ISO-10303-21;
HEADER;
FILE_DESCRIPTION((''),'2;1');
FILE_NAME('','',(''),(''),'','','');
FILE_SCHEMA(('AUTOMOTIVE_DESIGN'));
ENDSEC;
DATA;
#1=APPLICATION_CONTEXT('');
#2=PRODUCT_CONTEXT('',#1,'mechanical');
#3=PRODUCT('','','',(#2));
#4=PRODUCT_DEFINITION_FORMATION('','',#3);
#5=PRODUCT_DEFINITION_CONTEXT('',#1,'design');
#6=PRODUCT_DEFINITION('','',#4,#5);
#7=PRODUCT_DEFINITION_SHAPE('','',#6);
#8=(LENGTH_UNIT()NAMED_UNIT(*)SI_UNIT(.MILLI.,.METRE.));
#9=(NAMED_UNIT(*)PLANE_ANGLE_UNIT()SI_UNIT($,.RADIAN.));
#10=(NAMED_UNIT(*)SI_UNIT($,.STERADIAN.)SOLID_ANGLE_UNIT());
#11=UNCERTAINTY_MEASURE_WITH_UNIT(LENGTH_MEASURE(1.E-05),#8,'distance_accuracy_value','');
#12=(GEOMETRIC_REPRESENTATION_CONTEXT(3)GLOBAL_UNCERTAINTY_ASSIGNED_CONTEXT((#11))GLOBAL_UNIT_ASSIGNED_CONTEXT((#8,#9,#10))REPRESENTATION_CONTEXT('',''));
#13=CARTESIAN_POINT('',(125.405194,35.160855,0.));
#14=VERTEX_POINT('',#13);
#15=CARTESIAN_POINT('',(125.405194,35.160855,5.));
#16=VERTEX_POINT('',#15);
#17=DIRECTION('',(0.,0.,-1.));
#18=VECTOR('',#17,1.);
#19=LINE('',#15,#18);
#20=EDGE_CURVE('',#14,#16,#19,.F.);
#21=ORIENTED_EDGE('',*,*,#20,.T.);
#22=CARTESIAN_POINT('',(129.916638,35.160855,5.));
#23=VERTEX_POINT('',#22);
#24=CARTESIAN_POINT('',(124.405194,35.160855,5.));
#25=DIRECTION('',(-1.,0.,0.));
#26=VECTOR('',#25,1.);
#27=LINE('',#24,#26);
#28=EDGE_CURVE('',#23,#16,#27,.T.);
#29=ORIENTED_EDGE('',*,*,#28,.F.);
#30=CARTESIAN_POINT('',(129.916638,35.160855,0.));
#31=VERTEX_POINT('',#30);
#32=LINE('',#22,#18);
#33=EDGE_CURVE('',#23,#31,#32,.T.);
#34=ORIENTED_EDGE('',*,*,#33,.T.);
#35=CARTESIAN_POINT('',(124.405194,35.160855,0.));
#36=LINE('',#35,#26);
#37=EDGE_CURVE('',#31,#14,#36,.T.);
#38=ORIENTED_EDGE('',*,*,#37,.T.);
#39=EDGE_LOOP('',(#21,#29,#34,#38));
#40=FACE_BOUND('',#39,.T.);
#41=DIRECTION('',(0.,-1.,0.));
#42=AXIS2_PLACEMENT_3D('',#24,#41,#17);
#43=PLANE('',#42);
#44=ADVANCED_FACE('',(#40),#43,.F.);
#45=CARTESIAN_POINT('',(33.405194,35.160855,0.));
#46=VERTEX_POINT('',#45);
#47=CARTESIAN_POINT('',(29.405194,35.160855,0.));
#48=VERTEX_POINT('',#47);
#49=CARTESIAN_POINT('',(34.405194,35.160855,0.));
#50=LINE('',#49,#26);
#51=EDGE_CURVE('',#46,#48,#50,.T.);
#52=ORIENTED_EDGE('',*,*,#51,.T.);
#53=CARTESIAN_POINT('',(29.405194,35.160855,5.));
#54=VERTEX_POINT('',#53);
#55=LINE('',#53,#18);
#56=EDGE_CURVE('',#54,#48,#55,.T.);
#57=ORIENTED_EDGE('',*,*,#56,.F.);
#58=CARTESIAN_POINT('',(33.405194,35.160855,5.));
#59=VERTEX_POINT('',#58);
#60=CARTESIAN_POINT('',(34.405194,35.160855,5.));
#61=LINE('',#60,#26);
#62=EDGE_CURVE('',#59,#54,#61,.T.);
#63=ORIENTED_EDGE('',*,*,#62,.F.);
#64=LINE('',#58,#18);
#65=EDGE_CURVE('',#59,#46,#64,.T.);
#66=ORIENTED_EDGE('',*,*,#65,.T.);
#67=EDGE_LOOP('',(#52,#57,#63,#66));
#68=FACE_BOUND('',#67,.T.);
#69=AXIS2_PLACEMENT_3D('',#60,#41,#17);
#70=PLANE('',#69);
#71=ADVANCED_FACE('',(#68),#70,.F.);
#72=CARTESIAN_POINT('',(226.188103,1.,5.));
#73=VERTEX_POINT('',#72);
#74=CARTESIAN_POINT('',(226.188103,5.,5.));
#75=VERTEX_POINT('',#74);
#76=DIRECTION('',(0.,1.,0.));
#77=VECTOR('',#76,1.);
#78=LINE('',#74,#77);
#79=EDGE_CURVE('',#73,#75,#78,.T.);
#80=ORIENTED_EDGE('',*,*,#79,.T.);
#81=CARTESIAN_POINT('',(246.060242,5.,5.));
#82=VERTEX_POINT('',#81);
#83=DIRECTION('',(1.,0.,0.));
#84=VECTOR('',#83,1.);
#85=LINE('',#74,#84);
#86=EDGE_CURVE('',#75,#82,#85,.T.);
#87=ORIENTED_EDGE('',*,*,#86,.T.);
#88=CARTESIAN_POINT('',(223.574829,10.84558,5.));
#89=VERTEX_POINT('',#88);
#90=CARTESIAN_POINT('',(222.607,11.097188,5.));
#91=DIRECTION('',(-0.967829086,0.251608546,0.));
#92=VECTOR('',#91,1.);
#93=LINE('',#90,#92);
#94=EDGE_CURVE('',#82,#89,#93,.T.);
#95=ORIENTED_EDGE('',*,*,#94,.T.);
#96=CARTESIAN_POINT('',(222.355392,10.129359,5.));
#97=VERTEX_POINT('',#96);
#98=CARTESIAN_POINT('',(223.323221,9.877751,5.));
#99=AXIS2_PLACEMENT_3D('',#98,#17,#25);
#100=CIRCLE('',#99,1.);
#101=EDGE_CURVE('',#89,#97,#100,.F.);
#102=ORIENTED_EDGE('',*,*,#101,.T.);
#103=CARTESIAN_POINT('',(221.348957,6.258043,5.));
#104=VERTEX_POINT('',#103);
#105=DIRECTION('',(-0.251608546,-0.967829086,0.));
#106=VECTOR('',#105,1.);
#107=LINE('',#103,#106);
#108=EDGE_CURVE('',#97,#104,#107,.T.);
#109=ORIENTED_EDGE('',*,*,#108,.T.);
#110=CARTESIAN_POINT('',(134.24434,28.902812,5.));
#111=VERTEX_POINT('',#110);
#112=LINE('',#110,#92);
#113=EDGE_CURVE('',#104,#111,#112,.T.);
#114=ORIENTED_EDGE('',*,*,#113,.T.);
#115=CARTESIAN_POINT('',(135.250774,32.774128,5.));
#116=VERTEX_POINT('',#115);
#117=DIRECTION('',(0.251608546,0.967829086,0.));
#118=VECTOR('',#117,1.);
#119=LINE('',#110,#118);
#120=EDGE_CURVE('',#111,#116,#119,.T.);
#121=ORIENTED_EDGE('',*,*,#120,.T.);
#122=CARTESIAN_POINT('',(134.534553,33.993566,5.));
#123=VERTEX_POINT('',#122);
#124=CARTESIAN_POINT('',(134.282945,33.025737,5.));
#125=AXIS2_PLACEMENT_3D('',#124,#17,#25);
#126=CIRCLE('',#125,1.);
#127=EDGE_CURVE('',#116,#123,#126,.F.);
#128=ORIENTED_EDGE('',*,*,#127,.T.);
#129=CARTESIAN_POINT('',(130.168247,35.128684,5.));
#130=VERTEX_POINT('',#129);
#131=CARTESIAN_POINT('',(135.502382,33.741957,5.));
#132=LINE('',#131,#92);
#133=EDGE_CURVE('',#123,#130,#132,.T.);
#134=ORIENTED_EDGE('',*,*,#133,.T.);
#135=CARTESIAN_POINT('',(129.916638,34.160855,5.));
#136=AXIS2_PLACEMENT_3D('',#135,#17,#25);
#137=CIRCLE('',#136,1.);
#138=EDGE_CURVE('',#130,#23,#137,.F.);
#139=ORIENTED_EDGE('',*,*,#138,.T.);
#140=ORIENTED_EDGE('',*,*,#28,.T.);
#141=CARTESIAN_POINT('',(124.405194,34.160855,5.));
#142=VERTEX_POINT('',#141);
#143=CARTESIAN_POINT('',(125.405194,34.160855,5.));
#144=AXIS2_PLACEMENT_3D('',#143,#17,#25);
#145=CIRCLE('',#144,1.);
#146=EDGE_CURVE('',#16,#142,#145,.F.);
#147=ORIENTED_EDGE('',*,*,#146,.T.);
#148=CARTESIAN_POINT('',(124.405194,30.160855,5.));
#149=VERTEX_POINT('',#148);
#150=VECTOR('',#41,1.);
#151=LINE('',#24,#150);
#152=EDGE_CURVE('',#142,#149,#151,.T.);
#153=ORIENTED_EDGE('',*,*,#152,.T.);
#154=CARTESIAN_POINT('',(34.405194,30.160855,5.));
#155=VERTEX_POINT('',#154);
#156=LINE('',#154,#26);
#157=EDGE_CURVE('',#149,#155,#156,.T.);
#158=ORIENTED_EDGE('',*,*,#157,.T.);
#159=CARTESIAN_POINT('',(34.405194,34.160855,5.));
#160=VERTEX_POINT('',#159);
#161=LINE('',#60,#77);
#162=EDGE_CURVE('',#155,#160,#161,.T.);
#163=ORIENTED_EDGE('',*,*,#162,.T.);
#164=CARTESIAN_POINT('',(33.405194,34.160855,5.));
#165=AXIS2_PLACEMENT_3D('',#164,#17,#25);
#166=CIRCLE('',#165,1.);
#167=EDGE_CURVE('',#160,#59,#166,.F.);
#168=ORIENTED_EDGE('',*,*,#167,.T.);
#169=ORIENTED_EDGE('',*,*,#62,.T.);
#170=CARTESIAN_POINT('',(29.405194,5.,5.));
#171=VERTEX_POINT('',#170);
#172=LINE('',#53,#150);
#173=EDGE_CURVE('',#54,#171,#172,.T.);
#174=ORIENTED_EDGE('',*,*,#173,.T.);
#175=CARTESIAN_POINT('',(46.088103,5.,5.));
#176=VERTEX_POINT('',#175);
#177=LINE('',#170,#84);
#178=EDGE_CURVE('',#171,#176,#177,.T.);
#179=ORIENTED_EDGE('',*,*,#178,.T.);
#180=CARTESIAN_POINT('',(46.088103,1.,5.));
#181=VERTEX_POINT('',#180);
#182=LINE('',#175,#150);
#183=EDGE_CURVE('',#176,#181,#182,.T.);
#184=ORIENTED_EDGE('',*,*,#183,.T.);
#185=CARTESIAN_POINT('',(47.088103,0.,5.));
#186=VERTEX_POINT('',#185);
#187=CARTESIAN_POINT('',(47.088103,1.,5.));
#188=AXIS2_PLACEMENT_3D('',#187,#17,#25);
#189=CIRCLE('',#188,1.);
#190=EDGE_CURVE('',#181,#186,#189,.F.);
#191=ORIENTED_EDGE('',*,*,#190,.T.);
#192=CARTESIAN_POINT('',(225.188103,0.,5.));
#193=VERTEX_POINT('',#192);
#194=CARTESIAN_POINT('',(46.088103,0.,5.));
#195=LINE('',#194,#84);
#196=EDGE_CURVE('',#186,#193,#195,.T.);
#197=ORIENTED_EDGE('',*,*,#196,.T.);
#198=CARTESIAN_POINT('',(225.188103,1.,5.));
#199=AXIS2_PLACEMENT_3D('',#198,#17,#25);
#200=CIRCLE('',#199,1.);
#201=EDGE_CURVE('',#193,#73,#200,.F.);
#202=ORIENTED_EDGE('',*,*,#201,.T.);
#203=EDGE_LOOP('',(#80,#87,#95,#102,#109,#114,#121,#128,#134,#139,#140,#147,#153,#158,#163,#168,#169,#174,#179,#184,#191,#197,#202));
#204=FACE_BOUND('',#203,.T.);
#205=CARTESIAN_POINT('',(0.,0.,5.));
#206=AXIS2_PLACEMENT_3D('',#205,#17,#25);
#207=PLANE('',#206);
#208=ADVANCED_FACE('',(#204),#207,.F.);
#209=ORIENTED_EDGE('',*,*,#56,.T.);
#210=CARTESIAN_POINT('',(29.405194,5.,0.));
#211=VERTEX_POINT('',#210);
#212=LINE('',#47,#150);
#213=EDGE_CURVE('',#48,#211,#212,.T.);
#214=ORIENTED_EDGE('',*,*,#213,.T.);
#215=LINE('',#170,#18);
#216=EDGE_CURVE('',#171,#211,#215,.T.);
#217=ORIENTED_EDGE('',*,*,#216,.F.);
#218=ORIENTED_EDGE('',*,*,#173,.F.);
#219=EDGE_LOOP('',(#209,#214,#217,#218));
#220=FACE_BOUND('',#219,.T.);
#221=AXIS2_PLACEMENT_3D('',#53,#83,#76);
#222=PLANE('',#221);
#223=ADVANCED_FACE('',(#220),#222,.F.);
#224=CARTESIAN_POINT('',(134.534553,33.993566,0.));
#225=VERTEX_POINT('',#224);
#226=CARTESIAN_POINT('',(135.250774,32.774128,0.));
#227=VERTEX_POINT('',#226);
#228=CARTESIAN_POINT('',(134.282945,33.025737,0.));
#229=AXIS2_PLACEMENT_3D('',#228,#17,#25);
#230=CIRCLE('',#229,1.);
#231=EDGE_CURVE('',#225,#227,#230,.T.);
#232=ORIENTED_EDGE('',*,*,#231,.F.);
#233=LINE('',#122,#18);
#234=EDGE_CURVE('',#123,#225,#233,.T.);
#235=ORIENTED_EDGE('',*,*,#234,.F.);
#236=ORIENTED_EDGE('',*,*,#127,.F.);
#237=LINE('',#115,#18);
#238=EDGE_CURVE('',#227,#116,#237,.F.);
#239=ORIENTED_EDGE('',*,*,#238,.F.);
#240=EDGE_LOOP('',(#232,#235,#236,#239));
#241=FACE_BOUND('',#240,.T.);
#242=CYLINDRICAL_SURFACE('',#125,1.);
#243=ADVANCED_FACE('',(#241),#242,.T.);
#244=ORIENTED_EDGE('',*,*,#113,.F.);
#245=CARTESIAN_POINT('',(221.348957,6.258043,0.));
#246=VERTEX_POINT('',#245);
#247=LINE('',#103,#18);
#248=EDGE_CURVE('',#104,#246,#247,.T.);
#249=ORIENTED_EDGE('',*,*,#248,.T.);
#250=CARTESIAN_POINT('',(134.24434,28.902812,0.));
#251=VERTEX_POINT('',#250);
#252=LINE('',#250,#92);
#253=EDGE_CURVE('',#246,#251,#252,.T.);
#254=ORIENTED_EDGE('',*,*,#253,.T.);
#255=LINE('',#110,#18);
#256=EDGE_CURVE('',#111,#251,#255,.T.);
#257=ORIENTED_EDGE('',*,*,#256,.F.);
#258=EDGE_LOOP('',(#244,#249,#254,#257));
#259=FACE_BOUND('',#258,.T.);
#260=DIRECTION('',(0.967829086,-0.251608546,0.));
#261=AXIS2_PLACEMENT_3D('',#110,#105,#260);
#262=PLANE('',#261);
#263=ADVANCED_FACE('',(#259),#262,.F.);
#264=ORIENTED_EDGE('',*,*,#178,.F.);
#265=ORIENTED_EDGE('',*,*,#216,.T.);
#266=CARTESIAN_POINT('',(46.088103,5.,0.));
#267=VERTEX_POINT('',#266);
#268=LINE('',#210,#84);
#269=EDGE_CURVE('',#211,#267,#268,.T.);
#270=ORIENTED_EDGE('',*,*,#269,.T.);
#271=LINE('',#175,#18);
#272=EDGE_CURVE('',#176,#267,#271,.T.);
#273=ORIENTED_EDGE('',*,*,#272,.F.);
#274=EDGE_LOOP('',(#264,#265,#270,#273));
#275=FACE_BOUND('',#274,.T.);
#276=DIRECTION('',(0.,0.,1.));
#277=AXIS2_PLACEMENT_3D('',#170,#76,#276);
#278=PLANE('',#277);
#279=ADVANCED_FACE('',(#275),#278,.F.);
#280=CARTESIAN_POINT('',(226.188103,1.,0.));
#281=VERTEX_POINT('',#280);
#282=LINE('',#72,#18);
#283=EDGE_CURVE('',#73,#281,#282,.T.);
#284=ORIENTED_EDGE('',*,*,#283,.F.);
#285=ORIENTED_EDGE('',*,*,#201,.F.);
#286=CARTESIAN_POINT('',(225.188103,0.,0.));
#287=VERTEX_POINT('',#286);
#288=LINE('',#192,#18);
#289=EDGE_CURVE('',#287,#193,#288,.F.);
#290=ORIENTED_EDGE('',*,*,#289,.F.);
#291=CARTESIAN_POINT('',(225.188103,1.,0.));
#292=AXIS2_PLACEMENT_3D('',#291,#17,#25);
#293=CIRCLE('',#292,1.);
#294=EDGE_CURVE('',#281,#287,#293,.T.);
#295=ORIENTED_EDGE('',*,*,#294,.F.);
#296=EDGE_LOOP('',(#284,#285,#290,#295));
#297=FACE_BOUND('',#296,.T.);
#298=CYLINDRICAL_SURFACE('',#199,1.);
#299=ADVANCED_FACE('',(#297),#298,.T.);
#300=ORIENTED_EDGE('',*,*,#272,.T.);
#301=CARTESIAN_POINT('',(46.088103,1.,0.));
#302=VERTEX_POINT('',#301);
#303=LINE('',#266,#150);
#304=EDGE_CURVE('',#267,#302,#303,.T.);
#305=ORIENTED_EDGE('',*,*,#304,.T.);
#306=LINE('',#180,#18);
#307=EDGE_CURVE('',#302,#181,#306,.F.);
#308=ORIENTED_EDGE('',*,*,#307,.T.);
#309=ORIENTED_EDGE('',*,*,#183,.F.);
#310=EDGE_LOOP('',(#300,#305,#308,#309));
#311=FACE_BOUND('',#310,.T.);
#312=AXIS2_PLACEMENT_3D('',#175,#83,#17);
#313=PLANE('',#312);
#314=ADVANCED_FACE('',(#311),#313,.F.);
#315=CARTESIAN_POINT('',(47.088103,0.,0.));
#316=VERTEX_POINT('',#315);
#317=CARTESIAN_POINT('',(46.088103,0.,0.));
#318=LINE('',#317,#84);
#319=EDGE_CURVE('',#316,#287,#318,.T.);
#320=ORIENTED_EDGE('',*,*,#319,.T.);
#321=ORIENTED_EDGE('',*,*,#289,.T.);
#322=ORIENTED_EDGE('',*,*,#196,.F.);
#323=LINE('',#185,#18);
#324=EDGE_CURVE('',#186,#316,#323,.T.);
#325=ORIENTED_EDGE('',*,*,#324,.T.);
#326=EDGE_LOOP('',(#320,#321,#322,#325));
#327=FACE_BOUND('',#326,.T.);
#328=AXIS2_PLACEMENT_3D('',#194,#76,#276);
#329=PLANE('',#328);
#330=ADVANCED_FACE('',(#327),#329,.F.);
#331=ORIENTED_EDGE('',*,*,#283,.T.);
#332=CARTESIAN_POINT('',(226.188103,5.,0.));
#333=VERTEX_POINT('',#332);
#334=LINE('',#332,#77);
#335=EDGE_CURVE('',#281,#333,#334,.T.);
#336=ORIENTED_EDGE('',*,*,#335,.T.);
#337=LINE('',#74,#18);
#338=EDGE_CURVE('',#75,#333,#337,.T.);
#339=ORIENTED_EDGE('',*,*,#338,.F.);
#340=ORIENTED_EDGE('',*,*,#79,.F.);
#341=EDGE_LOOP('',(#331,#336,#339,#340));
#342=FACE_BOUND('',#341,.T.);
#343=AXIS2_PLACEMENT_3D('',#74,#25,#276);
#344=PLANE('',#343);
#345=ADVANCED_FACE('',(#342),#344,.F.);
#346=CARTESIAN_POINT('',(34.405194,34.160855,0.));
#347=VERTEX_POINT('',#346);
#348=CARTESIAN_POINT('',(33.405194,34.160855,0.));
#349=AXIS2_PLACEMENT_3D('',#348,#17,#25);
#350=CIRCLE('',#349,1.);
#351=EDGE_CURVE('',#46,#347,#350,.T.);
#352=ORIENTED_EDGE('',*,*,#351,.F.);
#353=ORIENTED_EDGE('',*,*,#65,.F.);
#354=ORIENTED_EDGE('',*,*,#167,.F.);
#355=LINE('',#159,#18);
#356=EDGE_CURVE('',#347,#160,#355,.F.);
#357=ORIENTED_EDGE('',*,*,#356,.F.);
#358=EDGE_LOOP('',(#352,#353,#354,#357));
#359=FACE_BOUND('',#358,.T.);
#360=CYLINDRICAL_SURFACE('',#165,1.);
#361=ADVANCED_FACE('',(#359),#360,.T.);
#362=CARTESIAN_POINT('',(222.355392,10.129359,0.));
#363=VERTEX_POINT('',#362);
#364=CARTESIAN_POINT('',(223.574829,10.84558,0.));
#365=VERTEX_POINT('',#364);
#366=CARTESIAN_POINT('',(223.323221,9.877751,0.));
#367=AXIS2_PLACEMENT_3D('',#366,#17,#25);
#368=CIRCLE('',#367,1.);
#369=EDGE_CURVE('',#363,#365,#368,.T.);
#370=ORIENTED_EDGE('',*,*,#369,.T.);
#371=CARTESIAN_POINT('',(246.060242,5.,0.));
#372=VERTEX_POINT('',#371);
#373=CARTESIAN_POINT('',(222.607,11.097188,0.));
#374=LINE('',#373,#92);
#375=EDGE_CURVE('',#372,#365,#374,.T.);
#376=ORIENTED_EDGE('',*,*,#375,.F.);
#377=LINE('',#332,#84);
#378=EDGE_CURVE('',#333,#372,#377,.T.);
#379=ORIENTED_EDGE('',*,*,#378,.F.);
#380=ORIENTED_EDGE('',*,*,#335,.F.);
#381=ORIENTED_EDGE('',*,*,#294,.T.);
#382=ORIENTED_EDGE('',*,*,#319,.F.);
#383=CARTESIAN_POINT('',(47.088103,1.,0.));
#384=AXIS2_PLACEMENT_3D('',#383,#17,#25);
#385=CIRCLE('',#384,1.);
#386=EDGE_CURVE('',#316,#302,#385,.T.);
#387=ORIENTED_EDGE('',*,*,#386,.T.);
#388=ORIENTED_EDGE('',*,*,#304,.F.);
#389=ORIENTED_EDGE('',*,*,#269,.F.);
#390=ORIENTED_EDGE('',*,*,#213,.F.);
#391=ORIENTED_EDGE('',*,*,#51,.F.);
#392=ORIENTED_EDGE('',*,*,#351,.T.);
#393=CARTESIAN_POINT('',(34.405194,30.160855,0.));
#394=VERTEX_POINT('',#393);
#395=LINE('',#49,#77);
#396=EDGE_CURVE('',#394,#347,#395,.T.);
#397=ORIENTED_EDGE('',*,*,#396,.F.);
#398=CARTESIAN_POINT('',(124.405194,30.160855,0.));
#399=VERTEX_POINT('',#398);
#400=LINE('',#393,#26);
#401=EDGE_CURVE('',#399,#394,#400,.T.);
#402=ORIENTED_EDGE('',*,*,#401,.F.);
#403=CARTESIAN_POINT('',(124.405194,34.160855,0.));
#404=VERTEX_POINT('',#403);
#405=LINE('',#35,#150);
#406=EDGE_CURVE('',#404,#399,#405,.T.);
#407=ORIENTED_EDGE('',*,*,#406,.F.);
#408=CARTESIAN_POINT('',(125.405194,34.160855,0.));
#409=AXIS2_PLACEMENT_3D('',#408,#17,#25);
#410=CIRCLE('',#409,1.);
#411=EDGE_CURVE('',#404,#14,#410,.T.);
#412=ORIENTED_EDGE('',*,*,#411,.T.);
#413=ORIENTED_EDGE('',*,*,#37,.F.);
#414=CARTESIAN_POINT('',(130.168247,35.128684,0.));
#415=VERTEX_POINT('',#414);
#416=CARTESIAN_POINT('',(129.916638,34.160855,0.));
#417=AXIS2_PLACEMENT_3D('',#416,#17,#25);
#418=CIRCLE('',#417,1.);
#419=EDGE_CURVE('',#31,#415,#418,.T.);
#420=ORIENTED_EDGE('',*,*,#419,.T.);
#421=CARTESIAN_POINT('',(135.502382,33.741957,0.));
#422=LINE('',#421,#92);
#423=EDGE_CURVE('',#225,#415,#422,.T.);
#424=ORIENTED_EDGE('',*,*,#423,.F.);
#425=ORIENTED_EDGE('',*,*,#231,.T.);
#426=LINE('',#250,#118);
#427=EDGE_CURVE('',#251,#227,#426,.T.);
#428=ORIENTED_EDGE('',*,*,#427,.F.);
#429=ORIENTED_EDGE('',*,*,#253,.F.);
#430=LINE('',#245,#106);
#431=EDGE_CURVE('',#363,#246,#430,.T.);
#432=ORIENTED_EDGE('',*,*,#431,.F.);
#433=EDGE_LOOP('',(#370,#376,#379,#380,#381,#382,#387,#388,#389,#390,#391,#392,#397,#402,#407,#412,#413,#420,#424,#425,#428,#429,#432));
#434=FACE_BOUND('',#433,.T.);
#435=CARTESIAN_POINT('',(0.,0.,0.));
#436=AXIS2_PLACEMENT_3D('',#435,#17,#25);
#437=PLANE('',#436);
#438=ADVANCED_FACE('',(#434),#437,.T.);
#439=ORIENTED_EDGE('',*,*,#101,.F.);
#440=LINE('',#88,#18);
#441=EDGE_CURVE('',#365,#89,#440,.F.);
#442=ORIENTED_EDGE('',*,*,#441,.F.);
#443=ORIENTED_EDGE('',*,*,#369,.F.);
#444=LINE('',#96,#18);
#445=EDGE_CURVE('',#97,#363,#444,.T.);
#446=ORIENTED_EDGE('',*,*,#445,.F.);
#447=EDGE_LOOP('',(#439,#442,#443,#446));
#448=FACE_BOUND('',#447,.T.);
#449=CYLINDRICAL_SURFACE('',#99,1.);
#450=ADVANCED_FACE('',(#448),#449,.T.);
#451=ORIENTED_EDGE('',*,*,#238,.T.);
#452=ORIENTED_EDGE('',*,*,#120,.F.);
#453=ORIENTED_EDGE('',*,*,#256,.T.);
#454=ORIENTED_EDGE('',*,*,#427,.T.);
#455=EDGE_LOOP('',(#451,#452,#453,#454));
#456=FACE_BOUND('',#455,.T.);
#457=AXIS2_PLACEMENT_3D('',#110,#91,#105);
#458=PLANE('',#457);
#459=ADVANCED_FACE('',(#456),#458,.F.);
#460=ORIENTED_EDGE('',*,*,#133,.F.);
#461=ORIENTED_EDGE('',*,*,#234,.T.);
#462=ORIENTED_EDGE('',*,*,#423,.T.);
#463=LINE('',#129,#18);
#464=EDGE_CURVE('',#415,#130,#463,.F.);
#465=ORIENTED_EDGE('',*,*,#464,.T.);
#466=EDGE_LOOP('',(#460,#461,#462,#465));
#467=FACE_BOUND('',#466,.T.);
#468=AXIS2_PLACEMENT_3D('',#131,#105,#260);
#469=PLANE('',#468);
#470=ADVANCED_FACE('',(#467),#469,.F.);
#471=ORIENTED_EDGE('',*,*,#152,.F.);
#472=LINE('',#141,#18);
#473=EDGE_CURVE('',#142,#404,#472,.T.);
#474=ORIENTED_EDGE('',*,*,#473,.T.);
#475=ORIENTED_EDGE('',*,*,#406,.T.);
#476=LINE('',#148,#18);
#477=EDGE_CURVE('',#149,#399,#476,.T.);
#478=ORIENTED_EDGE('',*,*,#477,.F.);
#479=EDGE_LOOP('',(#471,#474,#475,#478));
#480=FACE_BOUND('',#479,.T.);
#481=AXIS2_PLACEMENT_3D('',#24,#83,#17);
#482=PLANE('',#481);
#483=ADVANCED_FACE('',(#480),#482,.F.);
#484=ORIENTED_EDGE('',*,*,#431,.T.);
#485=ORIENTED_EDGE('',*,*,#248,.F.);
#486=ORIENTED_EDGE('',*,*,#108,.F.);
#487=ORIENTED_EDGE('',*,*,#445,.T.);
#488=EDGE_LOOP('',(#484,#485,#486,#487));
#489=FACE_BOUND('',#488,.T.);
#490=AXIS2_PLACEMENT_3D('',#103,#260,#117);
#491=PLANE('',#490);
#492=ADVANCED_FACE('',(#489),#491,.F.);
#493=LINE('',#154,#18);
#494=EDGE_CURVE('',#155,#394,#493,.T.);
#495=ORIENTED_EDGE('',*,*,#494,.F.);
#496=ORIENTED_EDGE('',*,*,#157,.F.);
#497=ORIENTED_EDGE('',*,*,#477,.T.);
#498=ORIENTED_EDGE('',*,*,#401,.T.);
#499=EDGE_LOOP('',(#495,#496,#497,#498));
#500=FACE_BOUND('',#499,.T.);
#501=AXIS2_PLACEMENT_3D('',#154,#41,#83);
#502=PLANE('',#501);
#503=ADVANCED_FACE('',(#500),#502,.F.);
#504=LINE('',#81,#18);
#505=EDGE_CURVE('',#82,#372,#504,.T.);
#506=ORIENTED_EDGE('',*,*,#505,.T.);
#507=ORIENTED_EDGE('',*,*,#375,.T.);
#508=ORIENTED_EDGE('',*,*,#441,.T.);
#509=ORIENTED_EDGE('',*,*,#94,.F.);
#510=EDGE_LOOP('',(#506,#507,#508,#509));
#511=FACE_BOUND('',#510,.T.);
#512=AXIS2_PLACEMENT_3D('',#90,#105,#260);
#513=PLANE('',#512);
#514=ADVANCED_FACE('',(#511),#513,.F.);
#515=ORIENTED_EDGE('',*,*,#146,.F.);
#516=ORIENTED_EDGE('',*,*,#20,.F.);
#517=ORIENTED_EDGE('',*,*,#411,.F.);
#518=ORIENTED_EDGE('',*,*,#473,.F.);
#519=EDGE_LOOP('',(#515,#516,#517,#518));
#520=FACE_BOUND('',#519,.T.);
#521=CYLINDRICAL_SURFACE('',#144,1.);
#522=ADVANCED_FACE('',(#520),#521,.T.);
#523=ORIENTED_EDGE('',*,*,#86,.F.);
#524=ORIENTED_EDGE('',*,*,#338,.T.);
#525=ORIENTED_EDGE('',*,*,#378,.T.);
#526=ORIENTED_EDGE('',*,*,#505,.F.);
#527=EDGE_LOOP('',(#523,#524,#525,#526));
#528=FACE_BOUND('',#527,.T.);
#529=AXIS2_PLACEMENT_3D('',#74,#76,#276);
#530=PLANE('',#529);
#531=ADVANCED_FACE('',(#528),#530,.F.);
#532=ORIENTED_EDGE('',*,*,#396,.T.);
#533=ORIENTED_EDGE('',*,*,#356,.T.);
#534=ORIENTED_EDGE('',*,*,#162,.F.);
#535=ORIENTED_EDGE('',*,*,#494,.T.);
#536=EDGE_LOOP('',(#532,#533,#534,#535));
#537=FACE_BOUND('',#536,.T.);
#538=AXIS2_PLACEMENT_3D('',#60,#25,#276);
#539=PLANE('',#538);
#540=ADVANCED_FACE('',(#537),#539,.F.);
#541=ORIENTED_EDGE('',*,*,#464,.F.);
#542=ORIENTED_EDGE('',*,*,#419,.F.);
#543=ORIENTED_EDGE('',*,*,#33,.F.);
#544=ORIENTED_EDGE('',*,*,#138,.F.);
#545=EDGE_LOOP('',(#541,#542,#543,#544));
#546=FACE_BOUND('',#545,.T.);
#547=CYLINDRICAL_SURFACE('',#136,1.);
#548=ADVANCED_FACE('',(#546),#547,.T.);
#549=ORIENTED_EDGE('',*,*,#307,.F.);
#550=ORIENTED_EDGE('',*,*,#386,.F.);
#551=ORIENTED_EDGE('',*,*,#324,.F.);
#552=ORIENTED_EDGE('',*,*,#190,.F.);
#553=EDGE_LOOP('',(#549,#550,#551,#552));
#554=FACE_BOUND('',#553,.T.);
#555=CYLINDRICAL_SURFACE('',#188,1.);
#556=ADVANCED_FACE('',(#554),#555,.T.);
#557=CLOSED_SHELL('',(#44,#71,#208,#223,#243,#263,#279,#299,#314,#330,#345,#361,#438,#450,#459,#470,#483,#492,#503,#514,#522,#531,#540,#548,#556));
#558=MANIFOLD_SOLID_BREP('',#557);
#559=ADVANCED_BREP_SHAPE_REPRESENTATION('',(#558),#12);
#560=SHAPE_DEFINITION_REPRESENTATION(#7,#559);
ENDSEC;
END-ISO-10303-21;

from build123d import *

# Parameters (mm, degrees)
BOSS_EXTRUDE1_DEPTH = 5
FILLET1_R           = 1


with BuildPart() as part:
    # Sketch1 → Boss-Extrude1 (new body)
    with BuildSketch(Plane.XY):
        Polygon((29.405194241, 5), (46.088102842, 5), (46.088102842, 0), (226.188102842, 0), (226.188102842, 5), (246.060241867, 5), (222.607000141, 11.097188159), (221.348957412, 6.258042728), (134.244339671, 28.902811841), (135.5023824, 33.741957272), (130.044499116, 35.16085457), (124.405194241, 35.16085457), (124.405194241, 30.16085457), (34.405194241, 30.16085457), (34.405194241, 35.16085457), (29.405194241, 35.16085457), align=None)
    extrude(amount=BOSS_EXTRUDE1_DEPTH)

    # Fillet1
    fillet1_edges = [part.edges().sort_by_distance(p)[0] for p in [
        (130.044499116, 35.16085457, 2.5),
        (135.5023824, 33.741957272, 2.5),
        (222.607000141, 11.097188159, 2.5),
        (226.188102842, 0, 2.5),
        (46.088102842, 0, 2.5),
        (34.405194241, 35.16085457, 2.5),
        (124.405194241, 35.16085457, 2.5),
    ]]
    fillet(fillet1_edges, radius=FILLET1_R)


solid = part.part
